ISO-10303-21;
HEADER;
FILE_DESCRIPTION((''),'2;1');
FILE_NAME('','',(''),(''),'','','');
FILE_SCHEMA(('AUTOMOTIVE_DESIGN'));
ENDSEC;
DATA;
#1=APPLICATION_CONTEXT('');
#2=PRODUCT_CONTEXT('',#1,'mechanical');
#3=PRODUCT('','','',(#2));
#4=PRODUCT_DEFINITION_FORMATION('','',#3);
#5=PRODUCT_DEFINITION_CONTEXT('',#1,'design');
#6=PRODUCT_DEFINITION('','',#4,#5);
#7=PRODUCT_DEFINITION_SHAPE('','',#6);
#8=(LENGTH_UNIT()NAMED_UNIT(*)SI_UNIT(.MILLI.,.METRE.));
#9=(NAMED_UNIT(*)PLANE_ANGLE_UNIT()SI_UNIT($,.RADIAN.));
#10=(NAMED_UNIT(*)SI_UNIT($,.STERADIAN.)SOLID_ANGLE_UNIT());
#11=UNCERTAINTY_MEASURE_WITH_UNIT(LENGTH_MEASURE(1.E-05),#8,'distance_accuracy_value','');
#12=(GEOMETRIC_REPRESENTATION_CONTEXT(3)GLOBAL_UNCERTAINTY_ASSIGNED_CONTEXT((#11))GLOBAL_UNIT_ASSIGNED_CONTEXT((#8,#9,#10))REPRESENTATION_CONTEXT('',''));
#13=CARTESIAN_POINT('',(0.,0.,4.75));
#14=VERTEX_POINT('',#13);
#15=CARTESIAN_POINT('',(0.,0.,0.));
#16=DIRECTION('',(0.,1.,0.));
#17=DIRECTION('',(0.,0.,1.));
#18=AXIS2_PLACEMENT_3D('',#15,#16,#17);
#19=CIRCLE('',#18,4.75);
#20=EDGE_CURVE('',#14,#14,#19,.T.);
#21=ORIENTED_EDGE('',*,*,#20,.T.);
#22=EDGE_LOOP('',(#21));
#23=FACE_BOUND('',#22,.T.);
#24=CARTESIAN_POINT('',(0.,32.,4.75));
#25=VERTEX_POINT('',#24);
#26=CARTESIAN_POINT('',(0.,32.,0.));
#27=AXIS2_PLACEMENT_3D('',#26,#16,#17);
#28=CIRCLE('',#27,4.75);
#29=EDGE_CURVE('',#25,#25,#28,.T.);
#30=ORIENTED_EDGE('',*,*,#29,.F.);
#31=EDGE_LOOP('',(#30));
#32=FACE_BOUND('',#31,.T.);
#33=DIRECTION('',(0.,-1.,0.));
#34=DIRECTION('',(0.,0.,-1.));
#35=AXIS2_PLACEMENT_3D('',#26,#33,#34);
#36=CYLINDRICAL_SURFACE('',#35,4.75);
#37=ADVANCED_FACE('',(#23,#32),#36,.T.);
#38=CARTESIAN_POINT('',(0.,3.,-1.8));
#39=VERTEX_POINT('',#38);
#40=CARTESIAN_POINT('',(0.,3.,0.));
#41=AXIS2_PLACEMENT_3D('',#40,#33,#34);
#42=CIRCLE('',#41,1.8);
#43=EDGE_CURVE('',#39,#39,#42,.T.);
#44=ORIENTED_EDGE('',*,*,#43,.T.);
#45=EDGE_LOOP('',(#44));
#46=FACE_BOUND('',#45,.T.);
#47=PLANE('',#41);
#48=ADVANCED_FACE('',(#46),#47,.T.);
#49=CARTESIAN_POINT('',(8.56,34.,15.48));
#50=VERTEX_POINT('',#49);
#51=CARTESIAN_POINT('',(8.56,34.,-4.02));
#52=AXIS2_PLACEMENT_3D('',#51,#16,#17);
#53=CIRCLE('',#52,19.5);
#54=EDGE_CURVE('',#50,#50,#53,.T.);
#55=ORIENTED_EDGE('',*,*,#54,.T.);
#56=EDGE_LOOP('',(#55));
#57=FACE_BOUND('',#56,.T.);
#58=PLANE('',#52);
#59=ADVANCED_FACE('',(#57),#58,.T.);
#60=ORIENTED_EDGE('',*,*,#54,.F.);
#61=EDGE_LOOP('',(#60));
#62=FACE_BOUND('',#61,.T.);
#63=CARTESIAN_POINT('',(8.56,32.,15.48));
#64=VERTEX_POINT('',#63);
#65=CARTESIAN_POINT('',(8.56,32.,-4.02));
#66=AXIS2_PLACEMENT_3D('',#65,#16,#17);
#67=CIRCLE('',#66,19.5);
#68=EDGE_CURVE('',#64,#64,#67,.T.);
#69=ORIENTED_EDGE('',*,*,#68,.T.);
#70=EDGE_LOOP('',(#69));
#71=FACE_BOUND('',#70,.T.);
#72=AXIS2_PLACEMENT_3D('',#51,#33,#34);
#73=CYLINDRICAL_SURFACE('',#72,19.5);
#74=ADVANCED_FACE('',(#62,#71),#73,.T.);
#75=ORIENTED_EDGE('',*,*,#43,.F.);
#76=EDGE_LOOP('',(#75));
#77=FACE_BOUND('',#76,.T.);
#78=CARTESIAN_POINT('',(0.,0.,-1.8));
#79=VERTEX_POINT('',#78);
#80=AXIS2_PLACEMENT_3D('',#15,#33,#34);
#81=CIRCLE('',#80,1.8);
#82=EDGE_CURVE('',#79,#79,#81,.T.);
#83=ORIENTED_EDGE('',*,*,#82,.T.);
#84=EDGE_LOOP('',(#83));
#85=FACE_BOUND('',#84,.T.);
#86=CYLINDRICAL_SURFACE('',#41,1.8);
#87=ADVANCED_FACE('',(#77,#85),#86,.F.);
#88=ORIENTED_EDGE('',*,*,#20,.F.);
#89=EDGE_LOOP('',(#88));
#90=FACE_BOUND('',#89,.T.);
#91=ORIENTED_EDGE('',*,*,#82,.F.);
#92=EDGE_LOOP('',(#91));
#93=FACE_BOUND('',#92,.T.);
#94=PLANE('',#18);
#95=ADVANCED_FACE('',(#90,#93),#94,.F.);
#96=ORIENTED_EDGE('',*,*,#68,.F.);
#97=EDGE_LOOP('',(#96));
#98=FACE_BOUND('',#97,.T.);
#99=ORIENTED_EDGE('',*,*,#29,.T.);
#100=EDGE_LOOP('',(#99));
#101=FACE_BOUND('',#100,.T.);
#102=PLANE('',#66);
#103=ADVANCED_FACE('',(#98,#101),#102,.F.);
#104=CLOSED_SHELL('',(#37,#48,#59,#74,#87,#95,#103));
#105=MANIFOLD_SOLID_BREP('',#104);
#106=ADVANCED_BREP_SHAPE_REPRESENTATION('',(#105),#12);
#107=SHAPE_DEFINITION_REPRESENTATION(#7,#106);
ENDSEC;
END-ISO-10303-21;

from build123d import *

# Parameters (mm, degrees)
SKETCH1_R           = 4.75
BOSS_EXTRUDE1_DEPTH = 32
SKETCH2_R           = 1.8
CUT_EXTRUDE1_DEPTH  = 3
SKETCH3_R           = 19.5
BOSS_EXTRUDE2_DEPTH = 2


with BuildPart() as part:
    # Sketch1 → Boss-Extrude1 (new body)
    with BuildSketch(Plane(origin=(0, 0, 0), x_dir=(1, 0, 0), z_dir=(0, 1, 0))):
        Circle(SKETCH1_R)
    extrude(amount=BOSS_EXTRUDE1_DEPTH)

    # Sketch2 → Cut-Extrude1 (cut)
    with BuildSketch(Plane.XZ):
        Circle(SKETCH2_R)
    extrude(amount=-CUT_EXTRUDE1_DEPTH, mode=Mode.SUBTRACT)

    # Sketch3 → Boss-Extrude2 (add)
    with BuildSketch(Plane(origin=(0, 32, 0), x_dir=(1, 0, 0), z_dir=(0, 1, 0))):
        with Locations((8.56, 4.02)):
            Circle(SKETCH3_R)
    extrude(amount=BOSS_EXTRUDE2_DEPTH)


solid = part.part
